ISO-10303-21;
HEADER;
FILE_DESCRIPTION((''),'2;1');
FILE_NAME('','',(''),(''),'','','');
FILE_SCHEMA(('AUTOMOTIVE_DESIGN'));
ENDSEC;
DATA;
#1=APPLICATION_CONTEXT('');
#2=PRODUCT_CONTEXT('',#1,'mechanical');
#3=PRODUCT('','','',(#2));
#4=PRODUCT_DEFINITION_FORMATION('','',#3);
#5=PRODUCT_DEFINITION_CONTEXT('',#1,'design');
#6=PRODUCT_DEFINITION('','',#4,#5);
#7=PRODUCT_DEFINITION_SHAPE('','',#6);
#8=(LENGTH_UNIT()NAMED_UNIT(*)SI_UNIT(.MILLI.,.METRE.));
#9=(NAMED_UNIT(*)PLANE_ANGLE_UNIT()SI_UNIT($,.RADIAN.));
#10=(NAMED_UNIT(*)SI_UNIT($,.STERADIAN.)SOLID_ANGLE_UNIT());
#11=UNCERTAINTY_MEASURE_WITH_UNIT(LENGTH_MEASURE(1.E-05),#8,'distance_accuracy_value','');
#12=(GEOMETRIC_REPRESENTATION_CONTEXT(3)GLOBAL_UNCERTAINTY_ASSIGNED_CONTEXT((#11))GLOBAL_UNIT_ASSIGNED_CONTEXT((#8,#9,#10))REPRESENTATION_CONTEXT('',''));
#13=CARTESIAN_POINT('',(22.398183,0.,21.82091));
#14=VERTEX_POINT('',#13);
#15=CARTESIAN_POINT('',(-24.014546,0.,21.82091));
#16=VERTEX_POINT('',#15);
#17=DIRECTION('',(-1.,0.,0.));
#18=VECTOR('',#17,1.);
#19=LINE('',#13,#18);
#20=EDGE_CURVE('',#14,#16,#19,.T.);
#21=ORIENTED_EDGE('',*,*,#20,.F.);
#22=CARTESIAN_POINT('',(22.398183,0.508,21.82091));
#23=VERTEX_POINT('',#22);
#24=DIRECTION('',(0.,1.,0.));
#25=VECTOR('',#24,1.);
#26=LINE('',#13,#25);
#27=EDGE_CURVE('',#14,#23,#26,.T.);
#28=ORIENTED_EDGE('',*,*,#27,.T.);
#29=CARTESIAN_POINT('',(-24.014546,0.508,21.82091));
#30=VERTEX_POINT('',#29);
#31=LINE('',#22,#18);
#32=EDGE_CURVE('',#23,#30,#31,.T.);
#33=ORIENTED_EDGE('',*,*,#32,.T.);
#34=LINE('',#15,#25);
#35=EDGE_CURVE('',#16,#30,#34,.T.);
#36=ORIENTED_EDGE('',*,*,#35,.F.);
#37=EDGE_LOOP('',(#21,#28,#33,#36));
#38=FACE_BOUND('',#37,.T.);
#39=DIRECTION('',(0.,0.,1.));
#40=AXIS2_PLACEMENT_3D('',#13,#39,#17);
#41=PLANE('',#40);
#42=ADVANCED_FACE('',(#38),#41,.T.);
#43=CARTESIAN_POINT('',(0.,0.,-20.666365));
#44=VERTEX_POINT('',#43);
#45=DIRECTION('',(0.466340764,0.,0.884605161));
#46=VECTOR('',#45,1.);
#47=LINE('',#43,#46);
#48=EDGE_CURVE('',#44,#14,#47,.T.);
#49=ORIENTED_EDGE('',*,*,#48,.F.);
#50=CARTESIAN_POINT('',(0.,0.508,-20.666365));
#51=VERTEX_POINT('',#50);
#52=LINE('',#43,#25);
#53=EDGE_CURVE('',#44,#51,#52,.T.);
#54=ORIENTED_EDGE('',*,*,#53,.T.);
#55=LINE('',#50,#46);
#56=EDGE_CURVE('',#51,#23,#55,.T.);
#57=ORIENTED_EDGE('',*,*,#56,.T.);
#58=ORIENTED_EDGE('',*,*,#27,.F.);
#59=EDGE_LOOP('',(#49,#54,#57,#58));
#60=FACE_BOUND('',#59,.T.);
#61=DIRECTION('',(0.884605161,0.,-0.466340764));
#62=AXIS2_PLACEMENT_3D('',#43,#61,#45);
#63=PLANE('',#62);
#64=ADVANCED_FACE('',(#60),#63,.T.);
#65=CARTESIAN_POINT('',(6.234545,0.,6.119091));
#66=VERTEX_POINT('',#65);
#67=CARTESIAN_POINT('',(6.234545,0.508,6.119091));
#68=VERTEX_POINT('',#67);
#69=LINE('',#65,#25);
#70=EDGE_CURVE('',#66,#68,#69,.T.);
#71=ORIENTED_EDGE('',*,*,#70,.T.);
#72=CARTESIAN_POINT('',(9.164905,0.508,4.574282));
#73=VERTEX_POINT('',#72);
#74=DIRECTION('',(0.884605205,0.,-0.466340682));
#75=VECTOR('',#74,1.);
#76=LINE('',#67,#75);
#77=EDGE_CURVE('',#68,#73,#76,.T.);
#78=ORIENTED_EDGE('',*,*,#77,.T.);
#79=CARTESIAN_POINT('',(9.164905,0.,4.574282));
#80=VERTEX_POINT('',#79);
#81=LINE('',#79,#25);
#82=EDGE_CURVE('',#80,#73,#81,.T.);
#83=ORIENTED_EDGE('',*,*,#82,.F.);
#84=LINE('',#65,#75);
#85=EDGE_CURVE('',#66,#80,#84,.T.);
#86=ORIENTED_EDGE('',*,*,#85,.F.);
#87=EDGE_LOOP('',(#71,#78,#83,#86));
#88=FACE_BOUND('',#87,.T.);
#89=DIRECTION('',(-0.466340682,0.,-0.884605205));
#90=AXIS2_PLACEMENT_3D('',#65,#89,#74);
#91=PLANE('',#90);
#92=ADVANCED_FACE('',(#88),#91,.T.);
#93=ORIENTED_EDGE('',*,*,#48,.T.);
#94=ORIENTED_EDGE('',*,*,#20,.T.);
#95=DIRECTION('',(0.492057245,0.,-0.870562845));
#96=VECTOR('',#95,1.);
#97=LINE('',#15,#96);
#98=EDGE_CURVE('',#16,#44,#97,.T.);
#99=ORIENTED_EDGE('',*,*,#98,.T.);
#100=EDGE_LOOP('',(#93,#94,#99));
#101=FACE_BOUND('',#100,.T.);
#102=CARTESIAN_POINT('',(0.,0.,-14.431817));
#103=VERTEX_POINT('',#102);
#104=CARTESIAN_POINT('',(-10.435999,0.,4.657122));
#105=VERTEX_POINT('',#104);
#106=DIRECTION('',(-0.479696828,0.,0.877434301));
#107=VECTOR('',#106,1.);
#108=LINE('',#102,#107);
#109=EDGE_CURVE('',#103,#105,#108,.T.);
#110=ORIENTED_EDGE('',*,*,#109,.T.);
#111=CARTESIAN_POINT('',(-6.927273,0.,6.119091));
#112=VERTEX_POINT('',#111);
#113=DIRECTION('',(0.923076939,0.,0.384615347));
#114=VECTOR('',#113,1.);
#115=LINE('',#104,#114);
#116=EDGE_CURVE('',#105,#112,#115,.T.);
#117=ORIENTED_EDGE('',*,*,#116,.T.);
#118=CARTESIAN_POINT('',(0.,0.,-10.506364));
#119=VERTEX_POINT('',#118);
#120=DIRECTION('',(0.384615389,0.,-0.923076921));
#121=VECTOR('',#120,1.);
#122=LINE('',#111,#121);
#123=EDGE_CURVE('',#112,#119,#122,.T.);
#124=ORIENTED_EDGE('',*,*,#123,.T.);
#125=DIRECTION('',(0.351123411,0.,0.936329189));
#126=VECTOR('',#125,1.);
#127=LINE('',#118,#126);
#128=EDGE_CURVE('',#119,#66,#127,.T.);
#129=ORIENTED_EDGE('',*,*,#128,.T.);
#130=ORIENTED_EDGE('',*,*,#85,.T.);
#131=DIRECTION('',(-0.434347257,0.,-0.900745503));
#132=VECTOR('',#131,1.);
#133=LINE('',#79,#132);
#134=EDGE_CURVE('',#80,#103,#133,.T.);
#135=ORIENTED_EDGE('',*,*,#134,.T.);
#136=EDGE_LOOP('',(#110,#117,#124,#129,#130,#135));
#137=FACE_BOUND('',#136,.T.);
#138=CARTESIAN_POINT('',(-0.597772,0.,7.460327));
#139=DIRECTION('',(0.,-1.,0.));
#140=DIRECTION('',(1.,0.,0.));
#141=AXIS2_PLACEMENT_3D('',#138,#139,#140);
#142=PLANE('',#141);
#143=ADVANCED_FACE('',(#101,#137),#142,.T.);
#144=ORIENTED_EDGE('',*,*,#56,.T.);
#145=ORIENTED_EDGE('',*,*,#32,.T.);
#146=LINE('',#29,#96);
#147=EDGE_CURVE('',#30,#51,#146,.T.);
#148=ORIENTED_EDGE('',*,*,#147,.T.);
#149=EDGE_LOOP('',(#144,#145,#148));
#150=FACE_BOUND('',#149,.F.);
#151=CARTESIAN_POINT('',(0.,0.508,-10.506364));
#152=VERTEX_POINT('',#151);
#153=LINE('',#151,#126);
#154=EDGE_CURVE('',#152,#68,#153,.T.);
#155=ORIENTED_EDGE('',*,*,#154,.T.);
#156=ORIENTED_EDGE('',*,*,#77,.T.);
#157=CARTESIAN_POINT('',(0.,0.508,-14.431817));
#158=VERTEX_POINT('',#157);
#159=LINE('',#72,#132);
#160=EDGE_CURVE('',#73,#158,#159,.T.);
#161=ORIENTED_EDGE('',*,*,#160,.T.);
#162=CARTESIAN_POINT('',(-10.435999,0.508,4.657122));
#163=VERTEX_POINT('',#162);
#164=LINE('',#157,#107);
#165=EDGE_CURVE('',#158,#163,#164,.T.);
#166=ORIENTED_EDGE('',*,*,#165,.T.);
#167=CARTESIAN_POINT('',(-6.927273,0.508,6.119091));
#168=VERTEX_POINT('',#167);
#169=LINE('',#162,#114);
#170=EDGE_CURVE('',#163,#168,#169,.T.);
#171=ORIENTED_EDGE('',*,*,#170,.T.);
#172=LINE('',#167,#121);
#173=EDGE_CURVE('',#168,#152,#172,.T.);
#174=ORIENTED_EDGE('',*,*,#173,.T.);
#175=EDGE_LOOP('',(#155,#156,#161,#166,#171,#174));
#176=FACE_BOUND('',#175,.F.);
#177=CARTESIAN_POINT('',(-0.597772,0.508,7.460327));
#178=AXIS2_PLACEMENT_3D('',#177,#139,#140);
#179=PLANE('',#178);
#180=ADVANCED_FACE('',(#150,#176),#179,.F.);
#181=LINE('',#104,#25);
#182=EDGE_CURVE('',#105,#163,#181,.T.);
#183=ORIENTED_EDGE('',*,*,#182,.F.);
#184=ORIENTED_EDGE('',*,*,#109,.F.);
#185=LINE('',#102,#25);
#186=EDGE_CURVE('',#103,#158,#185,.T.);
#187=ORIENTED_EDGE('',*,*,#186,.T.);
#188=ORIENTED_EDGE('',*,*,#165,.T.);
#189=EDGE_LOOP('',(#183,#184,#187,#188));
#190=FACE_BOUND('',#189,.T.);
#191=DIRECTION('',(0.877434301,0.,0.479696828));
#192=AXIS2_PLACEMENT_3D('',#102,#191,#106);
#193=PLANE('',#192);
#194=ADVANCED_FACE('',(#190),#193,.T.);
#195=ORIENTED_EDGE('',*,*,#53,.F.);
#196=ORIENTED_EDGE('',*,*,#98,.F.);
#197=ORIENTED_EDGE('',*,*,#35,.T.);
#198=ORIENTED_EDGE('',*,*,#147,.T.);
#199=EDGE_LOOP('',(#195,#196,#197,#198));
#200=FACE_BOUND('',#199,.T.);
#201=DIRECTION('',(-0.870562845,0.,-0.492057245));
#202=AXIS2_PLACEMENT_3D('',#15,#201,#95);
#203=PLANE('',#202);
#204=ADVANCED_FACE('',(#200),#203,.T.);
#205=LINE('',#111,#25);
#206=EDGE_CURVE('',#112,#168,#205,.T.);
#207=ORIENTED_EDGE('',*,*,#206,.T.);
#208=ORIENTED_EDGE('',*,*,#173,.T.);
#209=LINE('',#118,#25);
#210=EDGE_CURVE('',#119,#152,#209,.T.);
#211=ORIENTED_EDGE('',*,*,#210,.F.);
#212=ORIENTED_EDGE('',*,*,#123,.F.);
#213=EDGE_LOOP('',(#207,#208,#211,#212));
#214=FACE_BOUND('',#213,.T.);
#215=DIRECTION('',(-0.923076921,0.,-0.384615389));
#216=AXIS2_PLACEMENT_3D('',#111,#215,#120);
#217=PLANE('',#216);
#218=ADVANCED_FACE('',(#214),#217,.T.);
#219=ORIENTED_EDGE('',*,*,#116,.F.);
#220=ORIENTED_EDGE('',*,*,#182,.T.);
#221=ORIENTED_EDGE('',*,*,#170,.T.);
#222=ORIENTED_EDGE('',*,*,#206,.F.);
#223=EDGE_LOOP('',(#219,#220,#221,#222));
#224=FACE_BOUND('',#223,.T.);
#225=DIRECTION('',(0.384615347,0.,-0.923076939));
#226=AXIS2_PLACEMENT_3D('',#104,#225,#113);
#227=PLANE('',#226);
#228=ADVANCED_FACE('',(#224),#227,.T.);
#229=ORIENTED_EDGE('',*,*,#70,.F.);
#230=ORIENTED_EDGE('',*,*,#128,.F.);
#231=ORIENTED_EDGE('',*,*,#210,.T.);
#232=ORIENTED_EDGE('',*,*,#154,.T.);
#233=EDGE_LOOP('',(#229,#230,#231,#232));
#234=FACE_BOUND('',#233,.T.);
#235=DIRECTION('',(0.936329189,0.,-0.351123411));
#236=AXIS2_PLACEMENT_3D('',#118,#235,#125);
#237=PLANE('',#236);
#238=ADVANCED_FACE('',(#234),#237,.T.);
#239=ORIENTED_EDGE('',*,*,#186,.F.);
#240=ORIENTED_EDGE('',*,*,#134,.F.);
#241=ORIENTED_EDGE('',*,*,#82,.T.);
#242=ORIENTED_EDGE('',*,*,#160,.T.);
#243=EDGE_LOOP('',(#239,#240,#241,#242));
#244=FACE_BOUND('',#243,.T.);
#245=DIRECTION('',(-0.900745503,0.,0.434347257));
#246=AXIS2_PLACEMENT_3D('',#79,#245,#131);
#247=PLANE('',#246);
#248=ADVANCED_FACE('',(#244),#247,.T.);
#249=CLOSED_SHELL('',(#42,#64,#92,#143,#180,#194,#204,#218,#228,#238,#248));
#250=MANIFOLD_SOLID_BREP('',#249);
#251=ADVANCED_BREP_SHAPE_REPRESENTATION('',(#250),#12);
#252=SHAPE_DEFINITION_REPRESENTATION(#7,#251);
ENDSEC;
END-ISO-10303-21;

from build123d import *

# Parameters (mm, degrees)
F1_DEPTH = 0.508


with BuildPart() as f1:
    # F0 (on Front) → F1 (new body)
    with BuildSketch(Plane.XZ):
        Polygon((22.398183, 21.82091), (-24.014546, 21.82091), (0, -20.666365), align=None)
        Polygon((9.164905, 4.574282), (0, -14.431817), (-10.435999, 4.657122), (-6.927273, 6.119091), (0, -10.506364), (6.234545, 6.119091), align=None, mode=Mode.SUBTRACT)
    extrude(amount=-F1_DEPTH)


solid = f1.part
